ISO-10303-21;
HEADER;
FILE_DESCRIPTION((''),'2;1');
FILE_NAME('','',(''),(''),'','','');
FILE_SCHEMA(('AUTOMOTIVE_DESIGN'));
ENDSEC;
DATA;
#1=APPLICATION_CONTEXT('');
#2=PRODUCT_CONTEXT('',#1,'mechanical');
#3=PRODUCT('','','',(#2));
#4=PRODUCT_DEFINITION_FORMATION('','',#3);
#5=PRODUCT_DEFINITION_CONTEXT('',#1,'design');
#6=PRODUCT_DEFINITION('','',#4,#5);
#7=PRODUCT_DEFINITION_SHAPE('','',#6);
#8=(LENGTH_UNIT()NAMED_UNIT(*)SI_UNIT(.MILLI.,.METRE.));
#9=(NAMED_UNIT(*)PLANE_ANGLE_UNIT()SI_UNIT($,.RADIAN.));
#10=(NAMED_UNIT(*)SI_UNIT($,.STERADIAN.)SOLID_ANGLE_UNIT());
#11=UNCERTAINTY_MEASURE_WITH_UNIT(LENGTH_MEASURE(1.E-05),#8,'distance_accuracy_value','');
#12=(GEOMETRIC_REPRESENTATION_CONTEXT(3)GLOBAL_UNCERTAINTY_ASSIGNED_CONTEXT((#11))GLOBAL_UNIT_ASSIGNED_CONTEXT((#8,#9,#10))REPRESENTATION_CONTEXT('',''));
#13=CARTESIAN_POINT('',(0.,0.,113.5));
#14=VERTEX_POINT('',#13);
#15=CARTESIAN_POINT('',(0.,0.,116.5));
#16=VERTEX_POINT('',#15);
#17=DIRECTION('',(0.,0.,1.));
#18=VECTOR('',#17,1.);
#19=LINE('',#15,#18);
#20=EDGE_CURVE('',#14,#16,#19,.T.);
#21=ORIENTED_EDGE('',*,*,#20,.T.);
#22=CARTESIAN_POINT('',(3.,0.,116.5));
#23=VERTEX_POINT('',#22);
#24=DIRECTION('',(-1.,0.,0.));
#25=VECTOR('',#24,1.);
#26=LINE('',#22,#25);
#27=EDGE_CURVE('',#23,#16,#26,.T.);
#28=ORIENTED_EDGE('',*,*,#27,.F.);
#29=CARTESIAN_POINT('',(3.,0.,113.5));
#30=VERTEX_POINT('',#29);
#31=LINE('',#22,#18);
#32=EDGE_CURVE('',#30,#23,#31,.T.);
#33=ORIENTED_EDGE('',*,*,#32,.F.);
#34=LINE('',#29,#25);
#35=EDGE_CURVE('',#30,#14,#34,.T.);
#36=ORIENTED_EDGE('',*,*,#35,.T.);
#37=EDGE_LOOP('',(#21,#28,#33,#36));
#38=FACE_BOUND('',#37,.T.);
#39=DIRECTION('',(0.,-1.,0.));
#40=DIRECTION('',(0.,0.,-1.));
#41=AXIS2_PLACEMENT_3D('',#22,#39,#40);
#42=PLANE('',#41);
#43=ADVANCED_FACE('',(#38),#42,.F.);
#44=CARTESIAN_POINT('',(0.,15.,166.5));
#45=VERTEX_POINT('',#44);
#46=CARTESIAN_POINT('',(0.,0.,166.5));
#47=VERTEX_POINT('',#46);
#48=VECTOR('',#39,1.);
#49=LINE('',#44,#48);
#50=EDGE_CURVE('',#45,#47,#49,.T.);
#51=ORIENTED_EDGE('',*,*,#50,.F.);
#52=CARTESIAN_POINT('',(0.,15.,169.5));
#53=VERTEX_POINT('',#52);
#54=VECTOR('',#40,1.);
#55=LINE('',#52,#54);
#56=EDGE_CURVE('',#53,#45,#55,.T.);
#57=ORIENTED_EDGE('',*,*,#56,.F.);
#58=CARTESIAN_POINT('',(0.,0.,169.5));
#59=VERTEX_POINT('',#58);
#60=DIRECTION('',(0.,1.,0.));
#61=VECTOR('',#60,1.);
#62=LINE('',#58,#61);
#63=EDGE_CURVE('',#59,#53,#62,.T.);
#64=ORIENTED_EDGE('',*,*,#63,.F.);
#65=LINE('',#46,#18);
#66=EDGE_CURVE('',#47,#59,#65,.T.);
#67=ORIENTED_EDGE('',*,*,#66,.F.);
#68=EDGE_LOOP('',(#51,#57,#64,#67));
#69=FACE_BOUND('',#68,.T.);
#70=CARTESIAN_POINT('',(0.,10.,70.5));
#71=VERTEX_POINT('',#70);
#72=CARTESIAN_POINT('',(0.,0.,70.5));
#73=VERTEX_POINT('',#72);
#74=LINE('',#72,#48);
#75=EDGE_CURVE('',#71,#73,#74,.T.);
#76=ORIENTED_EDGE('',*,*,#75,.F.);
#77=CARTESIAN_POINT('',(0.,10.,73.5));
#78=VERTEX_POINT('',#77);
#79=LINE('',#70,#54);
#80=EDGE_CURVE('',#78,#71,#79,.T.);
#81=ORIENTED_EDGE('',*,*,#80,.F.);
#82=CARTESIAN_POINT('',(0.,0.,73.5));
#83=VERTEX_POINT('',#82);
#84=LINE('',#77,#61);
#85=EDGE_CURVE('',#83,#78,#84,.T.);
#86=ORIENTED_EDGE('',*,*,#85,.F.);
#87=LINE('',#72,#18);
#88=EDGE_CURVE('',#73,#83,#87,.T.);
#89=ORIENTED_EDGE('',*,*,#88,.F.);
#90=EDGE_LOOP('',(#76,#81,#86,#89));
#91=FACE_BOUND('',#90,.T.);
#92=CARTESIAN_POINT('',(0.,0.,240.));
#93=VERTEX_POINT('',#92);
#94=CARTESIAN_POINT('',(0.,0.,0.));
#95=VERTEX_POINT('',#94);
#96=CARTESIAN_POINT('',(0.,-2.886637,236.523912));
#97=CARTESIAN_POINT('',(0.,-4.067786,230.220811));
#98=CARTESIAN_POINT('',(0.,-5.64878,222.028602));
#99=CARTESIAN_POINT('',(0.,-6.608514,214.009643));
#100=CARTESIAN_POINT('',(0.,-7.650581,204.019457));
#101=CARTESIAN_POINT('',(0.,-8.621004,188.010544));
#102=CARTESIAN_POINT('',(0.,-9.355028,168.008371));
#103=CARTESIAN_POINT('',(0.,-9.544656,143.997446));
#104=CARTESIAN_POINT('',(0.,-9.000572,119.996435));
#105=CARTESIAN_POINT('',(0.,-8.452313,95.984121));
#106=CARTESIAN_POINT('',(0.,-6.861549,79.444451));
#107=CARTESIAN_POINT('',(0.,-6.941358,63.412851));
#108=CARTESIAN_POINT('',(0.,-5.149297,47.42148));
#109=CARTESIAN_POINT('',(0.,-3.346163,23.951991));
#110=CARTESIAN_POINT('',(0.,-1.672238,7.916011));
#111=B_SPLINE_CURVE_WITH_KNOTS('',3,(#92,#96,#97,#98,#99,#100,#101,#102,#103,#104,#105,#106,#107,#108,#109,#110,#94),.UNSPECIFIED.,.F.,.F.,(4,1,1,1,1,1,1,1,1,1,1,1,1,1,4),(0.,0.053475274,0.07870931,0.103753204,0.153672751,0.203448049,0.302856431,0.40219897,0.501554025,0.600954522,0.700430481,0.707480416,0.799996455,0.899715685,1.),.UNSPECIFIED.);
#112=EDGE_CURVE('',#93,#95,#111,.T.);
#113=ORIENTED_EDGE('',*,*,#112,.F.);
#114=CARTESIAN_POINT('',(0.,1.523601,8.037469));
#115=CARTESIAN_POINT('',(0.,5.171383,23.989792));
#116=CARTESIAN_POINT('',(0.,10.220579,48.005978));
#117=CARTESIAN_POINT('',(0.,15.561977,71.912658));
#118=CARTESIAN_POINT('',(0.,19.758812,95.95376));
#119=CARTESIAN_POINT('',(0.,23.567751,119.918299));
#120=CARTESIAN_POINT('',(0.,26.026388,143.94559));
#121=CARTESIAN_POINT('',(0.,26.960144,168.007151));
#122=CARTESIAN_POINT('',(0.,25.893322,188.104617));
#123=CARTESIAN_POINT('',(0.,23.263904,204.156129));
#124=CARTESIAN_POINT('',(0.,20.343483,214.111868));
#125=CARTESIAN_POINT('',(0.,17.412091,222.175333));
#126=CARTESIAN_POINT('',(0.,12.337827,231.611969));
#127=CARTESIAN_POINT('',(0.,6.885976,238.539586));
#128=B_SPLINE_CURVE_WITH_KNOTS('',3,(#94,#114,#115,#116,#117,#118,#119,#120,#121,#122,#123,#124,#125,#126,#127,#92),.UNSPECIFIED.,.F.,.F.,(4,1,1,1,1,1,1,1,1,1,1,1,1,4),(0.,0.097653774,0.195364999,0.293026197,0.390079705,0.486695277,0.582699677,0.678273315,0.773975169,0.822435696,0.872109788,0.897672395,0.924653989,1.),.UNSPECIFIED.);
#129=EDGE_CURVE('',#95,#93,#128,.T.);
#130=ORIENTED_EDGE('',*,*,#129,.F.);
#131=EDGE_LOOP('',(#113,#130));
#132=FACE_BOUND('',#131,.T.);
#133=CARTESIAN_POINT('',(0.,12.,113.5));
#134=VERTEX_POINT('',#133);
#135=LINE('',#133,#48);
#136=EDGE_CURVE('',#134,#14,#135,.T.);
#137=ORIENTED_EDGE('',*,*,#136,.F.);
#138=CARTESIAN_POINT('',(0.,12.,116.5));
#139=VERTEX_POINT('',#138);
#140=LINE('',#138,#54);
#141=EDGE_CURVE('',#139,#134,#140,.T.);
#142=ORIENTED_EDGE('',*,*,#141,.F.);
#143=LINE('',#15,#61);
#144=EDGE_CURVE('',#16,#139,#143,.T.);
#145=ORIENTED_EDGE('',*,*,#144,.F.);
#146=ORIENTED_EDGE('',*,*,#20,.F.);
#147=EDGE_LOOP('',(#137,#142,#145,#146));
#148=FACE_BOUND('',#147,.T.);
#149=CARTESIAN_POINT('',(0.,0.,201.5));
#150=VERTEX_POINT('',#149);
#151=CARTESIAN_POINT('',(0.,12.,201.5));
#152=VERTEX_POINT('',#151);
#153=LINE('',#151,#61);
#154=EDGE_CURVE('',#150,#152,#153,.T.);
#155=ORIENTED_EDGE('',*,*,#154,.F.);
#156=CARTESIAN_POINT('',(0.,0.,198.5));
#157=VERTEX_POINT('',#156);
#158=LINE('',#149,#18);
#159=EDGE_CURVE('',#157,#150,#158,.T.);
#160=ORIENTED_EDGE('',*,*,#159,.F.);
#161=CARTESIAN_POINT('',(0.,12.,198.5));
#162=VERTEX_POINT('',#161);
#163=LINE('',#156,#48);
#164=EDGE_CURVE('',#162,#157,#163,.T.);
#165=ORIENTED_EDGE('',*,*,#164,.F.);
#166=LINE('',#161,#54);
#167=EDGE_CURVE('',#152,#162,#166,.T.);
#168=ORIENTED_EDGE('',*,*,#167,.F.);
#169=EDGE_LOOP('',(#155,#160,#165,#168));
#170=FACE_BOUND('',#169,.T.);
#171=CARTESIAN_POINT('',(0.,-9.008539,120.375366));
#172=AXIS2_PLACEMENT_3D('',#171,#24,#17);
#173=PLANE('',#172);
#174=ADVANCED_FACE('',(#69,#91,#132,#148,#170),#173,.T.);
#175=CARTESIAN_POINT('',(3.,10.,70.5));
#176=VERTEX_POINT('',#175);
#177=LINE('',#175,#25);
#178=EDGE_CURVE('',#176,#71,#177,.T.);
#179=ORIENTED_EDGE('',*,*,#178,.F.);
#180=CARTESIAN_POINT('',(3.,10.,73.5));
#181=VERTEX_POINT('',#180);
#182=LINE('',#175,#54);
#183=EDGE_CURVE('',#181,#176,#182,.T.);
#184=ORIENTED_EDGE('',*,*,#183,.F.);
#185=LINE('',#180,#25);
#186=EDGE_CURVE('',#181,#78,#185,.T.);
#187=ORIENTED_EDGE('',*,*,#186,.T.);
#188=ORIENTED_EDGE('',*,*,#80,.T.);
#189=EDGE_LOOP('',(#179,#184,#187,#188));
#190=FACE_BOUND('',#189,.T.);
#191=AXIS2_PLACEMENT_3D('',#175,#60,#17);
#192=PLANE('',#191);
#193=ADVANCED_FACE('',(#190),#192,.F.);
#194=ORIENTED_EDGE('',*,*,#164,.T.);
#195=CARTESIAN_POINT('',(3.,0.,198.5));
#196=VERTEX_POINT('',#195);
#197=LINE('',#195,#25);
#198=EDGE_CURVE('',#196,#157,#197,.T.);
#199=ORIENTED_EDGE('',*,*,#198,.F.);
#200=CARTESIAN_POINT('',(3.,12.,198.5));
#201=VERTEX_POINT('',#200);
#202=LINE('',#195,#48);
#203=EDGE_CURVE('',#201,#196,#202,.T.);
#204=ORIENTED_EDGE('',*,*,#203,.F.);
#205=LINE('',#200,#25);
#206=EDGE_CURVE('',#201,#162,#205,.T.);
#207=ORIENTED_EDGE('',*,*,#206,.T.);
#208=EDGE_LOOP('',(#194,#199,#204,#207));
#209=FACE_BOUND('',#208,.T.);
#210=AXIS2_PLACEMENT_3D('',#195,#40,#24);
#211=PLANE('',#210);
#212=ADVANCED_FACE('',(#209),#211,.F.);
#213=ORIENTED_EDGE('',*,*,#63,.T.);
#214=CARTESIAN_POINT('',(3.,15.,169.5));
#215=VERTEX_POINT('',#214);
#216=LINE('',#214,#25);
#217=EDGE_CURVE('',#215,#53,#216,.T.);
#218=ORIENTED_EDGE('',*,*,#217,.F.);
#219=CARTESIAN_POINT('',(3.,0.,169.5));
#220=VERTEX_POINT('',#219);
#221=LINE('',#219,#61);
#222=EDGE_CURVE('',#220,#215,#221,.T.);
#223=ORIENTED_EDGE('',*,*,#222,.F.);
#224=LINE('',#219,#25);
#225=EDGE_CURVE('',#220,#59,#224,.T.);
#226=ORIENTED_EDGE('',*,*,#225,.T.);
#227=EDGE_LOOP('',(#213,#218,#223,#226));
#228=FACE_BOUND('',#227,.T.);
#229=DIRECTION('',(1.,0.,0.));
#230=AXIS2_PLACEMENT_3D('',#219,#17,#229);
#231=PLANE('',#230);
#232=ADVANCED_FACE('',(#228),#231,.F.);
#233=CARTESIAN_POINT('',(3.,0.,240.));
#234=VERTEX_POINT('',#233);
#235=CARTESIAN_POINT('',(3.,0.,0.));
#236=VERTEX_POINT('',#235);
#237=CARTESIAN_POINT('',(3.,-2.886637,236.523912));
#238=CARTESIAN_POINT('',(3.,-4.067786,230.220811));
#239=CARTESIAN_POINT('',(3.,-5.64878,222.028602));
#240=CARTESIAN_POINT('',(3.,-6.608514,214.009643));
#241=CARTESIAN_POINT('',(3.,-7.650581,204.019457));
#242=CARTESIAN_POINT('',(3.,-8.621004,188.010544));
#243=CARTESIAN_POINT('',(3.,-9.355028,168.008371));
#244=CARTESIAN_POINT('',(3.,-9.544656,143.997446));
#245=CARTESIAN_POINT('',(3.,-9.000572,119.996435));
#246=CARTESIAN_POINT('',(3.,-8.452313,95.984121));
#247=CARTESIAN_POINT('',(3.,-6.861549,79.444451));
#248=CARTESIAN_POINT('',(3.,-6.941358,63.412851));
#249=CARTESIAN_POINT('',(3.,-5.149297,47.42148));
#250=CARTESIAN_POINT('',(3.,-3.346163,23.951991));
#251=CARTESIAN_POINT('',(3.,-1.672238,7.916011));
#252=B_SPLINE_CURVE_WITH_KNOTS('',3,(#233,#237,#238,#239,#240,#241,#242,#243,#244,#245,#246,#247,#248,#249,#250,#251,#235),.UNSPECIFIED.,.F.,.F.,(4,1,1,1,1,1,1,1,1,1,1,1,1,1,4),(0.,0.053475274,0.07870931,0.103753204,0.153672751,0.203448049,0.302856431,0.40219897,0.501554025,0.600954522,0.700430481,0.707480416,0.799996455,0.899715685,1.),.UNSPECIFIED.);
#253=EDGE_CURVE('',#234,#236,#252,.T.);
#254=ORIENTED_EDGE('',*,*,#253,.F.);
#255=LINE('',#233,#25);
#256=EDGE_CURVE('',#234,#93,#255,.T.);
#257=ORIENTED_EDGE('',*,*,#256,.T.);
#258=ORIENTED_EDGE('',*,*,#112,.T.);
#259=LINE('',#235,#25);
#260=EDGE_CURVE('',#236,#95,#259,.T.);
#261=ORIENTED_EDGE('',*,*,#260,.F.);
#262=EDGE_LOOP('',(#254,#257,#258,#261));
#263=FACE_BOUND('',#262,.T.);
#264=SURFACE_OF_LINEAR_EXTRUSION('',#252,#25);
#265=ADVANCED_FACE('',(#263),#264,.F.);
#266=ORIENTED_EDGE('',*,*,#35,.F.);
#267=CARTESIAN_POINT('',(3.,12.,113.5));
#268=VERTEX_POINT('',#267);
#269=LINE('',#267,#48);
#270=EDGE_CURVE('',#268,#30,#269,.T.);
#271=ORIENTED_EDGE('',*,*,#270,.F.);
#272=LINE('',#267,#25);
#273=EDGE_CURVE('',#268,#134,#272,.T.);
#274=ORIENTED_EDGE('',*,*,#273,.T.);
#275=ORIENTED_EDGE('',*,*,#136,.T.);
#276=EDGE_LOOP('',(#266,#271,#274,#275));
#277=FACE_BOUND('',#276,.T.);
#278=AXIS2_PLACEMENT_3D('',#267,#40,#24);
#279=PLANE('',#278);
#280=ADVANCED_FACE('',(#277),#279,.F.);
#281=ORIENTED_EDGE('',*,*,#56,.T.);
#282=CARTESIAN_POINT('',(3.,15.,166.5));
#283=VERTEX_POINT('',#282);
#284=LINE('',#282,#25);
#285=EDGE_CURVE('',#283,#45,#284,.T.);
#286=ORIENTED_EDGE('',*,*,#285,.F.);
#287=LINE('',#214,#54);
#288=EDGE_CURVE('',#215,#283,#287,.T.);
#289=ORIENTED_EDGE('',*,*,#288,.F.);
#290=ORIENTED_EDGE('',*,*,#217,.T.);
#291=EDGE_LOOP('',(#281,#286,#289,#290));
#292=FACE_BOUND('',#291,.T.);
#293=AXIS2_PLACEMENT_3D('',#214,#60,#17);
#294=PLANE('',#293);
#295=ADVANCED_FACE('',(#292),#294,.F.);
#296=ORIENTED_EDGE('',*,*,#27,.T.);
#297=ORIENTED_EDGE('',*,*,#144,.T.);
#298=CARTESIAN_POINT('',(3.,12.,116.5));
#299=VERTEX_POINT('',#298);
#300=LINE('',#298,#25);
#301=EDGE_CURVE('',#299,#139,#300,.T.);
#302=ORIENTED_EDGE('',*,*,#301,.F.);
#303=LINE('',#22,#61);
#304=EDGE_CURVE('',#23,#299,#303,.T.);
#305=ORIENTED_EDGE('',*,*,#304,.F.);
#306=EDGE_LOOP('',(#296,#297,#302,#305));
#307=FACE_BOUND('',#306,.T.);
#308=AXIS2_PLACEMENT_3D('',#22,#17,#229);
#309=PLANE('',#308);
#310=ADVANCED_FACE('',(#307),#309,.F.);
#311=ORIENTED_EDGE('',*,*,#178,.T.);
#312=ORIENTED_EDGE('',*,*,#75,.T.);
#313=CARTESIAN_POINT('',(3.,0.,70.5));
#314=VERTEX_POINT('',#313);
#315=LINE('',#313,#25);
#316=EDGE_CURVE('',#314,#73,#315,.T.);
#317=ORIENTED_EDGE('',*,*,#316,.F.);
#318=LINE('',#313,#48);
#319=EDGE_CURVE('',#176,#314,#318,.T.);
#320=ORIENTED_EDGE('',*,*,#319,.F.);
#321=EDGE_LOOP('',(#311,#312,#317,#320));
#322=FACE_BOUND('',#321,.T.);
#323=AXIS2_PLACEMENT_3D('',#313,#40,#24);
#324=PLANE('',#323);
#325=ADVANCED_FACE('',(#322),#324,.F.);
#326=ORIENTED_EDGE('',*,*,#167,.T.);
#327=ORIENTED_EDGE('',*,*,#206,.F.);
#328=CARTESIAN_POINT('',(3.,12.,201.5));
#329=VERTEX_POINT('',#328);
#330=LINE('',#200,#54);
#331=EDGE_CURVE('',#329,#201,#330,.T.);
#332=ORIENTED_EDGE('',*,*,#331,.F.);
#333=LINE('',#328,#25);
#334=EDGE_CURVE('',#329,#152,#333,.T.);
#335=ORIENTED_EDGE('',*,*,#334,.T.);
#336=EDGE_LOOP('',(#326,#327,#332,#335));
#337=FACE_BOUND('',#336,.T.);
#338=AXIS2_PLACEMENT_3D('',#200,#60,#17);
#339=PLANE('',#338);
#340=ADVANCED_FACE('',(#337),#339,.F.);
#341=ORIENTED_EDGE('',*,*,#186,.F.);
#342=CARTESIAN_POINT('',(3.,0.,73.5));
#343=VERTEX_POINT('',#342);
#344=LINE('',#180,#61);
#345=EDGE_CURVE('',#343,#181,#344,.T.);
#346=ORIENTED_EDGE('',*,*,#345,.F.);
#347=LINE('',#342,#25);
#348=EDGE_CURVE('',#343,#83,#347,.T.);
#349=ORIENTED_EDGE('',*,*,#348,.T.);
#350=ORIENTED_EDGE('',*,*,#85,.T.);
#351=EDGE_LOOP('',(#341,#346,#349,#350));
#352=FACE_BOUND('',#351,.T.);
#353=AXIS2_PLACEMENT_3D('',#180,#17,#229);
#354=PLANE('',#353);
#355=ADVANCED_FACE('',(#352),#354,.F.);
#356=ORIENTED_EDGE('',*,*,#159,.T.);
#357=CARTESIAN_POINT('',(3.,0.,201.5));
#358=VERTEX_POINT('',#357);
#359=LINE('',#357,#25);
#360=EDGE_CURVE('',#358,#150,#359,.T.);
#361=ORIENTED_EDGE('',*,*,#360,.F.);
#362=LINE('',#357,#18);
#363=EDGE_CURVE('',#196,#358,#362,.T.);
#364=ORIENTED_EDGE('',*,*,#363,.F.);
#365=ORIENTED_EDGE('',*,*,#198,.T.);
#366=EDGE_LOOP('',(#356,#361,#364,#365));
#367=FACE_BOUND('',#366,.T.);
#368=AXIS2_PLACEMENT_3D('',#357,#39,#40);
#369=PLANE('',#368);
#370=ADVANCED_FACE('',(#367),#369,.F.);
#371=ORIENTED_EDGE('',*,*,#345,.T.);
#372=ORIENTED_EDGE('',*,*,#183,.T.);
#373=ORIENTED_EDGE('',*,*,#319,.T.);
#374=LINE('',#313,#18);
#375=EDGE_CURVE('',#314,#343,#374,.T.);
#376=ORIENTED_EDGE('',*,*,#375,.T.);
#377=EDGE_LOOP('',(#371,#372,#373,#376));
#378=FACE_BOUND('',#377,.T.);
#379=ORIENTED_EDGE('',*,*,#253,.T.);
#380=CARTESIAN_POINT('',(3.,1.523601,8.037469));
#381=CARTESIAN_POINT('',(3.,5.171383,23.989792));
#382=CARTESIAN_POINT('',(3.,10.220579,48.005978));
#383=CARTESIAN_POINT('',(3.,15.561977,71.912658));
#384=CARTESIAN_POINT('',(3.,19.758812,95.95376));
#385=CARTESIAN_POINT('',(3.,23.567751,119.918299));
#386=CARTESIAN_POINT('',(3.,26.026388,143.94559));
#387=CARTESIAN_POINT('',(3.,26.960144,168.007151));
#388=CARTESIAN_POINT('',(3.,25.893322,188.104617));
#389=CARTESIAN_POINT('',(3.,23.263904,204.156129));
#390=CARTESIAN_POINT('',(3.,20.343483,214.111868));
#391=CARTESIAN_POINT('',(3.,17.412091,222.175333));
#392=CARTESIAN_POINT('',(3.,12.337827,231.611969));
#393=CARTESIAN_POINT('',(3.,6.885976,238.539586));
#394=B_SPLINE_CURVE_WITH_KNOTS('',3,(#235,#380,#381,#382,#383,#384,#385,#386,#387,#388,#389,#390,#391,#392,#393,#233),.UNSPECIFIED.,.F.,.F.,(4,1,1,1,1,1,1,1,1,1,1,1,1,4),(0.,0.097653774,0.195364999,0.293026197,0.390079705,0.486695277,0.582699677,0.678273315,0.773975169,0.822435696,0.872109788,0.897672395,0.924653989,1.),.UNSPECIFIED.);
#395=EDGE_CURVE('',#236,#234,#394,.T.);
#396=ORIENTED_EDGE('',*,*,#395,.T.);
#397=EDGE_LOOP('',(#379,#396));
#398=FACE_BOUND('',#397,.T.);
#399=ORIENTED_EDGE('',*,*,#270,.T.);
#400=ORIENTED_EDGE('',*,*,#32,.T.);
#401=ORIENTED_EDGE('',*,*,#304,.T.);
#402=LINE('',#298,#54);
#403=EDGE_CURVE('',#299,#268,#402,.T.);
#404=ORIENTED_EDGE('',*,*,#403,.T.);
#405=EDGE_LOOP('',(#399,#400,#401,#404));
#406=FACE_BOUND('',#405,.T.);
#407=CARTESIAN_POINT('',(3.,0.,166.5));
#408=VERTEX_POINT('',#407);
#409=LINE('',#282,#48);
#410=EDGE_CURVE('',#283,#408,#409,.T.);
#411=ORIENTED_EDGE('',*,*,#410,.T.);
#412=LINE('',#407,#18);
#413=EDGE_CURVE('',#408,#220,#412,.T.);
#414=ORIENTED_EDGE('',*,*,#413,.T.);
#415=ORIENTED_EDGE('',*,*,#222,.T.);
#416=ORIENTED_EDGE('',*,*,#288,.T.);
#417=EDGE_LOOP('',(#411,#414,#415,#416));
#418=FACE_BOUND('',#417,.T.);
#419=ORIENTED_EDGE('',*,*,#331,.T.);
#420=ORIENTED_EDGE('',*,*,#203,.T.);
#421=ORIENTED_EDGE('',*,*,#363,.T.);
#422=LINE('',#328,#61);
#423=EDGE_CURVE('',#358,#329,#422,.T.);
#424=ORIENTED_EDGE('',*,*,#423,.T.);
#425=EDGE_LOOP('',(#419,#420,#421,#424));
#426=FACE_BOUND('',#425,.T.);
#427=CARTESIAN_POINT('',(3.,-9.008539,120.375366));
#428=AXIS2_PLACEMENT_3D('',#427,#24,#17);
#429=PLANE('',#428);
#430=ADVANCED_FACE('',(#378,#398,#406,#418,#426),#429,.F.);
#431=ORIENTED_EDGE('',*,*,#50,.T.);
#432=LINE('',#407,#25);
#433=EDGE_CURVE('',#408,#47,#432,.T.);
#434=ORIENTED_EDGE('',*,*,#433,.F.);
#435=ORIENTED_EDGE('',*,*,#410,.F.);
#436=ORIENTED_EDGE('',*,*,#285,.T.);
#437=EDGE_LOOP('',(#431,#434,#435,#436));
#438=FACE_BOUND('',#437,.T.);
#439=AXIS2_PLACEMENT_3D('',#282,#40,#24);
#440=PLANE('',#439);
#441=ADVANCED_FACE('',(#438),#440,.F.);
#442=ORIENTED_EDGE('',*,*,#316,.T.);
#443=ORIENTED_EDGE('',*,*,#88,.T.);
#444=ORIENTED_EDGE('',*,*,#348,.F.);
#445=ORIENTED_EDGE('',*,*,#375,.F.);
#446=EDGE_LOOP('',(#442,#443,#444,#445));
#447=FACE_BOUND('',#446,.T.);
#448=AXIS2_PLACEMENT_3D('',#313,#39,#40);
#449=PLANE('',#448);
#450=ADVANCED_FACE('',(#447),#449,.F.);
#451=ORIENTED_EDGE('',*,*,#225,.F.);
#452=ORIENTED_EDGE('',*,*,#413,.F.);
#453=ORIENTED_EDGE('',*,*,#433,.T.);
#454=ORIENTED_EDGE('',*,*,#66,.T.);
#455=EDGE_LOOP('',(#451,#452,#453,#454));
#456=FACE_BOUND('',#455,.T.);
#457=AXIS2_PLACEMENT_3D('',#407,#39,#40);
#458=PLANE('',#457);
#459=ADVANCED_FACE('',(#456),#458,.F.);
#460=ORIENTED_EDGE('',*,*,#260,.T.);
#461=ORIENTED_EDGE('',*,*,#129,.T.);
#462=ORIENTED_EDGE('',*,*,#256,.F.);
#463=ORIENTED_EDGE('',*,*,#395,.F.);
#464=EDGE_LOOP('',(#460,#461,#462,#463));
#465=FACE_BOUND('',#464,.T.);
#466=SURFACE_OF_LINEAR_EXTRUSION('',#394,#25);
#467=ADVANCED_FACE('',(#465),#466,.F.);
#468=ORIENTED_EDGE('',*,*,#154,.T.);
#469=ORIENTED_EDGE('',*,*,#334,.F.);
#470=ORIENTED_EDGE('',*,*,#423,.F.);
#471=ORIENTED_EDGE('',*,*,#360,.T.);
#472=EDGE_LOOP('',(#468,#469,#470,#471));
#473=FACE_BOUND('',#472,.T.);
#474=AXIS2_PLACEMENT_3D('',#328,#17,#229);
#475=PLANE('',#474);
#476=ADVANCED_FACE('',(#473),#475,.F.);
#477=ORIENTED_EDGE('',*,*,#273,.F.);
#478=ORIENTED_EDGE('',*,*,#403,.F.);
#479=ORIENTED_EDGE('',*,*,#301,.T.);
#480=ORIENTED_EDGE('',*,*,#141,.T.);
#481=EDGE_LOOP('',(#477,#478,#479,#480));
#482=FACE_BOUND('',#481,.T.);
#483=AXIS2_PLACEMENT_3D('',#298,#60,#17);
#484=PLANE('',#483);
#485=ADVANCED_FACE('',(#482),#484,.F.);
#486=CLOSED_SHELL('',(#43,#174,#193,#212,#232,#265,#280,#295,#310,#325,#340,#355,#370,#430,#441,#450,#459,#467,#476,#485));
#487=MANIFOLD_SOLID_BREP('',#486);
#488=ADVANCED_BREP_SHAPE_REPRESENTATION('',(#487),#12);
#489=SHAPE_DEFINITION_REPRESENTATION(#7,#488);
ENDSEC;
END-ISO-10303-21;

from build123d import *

# Parameters (mm, degrees)
EXTRUDE_1_DEPTH     = 3
SKETCH_2_W          = 3
SKETCH_2_H          = 12
SKETCH_2_H_2        = 15
SKETCH_2_H_3        = 10
CUT_EXTRUDE_1_DEPTH = 3


with BuildPart() as part:
    # Эскиз1 → Бобышка-Вытянуть1 (new body)
    with BuildSketch(Plane(origin=(0, 0, 0), x_dir=(0, 0, -1), z_dir=(1, 0, 0))):
        with BuildLine():
            add(Edge.make_bspline(
                [(-240, 0), (-238.539586148, 6.885975956), (-231.6119689, 12.33782744), (-222.175332595, 17.412091216), (-214.111867769, 20.343482826), (-204.156129061, 23.263904239), (-188.104616678, 25.89332168), (-168.007150597, 26.960143982), (-143.945589986, 26.026388226), (-119.918298994, 23.567750867), (-95.953760008, 19.758812003), (-71.912657951, 15.561977026), (-48.005978392, 10.220578603), (-23.989791717, 5.171383231), (-8.037469261, 1.523600682), (0, 0)],
                knots=[0, 0, 0, 0, 0.075346011, 0.102327605, 0.127890212, 0.177564304, 0.226024831, 0.321726685, 0.417300323, 0.513304723, 0.609920295, 0.706973803, 0.804635001, 0.902346226, 1, 1, 1, 1], degree=3))
            add(Edge.make_bspline(
                [(-240, 0), (-236.52391179, -2.886637123), (-230.220810861, -4.067786061), (-222.028601874, -5.648779907), (-214.009642515, -6.608514015), (-204.019456847, -7.65058139), (-188.010543644, -8.621004369), (-168.008371033, -9.355028053), (-143.997445941, -9.544655848), (-119.996434598, -9.000571646), (-95.984120714, -8.452313319), (-79.444451482, -6.861549256), (-63.412851028, -6.941357818), (-47.421480018, -5.149296578), (-23.951991061, -3.34616289), (-7.916011456, -1.672238148), (0, 0)],
                knots=[0, 0, 0, 0, 0.053475274, 0.07870931, 0.103753204, 0.153672751, 0.203448049, 0.302856431, 0.40219897, 0.501554025, 0.600954522, 0.700430481, 0.707480416, 0.799996455, 0.899715685, 1, 1, 1, 1], degree=3))
        make_face()
    extrude(amount=EXTRUDE_1_DEPTH)

    # Эскиз2 → Вырез-Вытянуть1 (cut)
    with BuildSketch(Plane.ZY):
        with Locations((115, 6)):
            Rectangle(SKETCH_2_W, SKETCH_2_H)
        with Locations((200, 6)):
            Rectangle(SKETCH_2_W, SKETCH_2_H)
        with Locations((168, 7.5)):
            Rectangle(SKETCH_2_W, SKETCH_2_H_2)
        with Locations((72, 5)):
            Rectangle(SKETCH_2_W, SKETCH_2_H_3)
    extrude(amount=-CUT_EXTRUDE_1_DEPTH, mode=Mode.SUBTRACT)


solid = part.part
